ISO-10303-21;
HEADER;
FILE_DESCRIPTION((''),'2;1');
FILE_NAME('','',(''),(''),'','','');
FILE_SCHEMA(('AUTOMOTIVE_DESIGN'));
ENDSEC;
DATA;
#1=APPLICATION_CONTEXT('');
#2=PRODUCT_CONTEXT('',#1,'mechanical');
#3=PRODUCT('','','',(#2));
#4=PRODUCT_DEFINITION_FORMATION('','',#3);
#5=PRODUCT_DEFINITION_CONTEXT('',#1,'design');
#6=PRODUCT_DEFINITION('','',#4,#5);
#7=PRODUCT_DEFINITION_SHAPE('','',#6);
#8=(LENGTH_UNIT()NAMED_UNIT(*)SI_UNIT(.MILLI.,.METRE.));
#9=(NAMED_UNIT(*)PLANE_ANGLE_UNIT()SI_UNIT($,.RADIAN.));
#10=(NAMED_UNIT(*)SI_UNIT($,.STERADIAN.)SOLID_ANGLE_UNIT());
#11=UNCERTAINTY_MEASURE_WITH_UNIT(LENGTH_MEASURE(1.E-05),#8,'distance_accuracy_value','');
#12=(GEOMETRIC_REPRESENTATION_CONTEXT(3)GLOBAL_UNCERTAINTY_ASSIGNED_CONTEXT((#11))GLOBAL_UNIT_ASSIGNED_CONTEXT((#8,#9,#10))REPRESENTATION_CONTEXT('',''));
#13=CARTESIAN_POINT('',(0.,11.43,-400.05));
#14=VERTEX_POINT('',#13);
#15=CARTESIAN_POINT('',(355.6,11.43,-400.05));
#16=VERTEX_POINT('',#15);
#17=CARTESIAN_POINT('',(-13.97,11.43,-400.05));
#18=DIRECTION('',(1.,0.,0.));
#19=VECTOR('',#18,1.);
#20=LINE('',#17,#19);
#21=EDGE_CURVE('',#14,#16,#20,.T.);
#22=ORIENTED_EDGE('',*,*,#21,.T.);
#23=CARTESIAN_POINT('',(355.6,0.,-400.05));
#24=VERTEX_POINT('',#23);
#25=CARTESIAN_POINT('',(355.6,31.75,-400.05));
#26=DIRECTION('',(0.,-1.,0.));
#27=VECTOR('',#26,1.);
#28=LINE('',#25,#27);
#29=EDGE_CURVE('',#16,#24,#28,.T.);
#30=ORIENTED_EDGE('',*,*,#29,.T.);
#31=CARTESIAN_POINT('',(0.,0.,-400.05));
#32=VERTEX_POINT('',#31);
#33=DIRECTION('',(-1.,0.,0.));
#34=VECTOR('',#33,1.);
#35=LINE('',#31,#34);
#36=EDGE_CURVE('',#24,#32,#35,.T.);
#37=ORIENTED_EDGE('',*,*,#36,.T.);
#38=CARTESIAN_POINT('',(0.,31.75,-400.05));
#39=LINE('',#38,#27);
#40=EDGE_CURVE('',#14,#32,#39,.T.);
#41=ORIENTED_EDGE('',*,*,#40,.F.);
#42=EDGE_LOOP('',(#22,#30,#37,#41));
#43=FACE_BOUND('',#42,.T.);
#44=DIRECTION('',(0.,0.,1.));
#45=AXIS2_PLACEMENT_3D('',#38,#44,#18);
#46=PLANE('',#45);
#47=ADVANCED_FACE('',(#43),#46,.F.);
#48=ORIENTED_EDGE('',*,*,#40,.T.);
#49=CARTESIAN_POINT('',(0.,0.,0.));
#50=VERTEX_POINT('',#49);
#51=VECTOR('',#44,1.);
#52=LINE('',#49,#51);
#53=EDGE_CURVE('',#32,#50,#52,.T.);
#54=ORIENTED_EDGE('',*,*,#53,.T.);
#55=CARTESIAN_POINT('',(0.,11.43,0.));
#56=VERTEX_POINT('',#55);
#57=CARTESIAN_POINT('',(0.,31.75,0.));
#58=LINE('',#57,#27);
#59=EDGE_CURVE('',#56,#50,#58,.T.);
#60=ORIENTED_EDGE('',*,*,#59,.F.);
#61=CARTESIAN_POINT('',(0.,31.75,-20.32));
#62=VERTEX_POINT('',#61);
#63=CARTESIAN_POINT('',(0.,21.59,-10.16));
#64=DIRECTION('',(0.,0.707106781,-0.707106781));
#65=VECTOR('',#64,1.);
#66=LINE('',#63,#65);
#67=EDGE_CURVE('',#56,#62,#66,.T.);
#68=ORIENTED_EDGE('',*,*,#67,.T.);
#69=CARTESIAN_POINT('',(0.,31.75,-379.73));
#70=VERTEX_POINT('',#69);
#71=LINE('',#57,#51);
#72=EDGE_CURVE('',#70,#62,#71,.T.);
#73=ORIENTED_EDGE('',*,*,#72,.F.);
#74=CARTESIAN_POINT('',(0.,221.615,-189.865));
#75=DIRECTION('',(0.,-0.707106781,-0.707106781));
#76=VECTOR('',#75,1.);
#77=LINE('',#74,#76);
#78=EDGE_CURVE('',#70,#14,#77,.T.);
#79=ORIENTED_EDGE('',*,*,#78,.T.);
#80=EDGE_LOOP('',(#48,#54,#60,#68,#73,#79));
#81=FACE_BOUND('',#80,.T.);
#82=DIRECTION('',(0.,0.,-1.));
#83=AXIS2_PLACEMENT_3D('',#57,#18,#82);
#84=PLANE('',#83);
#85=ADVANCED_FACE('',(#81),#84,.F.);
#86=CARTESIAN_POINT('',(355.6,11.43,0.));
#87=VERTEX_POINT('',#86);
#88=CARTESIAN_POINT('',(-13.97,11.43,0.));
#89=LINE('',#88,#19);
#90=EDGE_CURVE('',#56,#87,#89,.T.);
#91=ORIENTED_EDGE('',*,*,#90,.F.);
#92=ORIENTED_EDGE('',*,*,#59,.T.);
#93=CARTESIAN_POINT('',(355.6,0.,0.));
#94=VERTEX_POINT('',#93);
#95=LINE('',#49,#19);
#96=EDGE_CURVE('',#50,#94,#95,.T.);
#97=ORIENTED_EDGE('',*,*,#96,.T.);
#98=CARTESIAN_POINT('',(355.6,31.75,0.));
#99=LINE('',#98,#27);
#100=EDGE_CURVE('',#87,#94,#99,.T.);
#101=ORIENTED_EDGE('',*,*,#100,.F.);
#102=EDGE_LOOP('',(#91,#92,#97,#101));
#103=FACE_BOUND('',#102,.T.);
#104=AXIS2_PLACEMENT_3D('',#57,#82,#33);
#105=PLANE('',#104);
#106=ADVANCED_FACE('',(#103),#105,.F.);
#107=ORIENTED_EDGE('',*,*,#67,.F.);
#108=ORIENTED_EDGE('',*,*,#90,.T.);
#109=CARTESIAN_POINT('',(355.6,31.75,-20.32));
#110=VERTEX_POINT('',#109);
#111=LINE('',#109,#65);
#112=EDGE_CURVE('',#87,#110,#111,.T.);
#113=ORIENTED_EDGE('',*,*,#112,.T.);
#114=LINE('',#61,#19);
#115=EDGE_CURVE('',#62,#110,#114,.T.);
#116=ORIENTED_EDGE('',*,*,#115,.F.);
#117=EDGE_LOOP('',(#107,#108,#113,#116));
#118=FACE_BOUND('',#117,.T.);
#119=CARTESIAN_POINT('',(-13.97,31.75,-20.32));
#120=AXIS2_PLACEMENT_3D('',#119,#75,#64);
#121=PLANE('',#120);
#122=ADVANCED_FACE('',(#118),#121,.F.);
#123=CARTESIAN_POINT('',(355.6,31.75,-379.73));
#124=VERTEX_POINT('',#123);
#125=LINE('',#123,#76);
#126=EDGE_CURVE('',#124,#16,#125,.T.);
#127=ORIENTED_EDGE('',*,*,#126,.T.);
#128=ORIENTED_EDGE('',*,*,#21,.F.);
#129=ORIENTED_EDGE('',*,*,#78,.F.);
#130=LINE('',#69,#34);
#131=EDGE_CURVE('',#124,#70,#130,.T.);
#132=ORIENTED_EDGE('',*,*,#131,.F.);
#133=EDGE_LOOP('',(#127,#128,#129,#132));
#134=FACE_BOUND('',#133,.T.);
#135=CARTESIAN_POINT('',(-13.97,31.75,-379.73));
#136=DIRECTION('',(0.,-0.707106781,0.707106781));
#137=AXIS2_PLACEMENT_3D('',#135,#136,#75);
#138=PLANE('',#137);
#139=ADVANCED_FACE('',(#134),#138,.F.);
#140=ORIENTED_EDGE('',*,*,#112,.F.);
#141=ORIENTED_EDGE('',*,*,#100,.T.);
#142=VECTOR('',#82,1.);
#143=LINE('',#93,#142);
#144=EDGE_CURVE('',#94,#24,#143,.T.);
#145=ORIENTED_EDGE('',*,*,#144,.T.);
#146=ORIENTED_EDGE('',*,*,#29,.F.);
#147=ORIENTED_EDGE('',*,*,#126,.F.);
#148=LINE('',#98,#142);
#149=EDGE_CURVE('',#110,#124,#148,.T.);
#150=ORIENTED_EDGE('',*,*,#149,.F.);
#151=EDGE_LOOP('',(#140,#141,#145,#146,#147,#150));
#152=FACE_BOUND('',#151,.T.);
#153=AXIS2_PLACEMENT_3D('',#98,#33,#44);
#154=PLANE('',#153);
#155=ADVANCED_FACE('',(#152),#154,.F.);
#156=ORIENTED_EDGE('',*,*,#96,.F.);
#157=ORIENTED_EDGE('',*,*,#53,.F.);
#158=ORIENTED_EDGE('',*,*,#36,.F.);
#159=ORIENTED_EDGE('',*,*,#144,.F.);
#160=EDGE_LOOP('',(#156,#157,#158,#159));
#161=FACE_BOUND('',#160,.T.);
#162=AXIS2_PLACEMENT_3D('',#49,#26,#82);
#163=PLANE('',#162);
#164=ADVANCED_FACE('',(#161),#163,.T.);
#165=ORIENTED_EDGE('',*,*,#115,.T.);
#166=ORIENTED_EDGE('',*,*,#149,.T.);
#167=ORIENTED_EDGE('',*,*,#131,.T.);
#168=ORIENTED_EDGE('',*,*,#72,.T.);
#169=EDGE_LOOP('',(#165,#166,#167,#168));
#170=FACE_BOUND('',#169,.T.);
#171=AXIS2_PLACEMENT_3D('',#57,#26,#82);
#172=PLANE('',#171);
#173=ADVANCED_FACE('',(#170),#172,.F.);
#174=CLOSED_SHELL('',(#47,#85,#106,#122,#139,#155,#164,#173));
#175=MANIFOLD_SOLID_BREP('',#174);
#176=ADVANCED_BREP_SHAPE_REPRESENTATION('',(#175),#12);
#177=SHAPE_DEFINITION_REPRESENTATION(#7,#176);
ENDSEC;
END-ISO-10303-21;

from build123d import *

# Parameters (mm, degrees)
SKETCH1_W           = 355.6
SKETCH1_H           = 400.05
BOSS_EXTRUDE1_DEPTH = 31.75
CUT_EXTRUDE1_DEPTH  = 369.57


with BuildPart() as part:
    # Sketch1 → Boss-Extrude1 (new body)
    with BuildSketch(Plane(origin=(0, 0, 0), x_dir=(1, 0, 0), z_dir=(0, 1, 0))):
        with Locations((177.8, 200.025)):
            Rectangle(SKETCH1_W, SKETCH1_H)
    extrude(amount=BOSS_EXTRUDE1_DEPTH)

    # Sketch2 → Cut-Extrude1 (cut)
    with BuildSketch(Plane(origin=(355.6, 0, 0), x_dir=(0, 0, -1), z_dir=(1, 0, 0))):
        Polygon((0, 31.75), (0, 11.43), (20.32, 31.75), align=None)
        Polygon((400.05, 31.75), (400.05, 11.43), (379.73, 31.75), align=None)
    extrude(amount=-CUT_EXTRUDE1_DEPTH, mode=Mode.SUBTRACT)


solid = part.part
